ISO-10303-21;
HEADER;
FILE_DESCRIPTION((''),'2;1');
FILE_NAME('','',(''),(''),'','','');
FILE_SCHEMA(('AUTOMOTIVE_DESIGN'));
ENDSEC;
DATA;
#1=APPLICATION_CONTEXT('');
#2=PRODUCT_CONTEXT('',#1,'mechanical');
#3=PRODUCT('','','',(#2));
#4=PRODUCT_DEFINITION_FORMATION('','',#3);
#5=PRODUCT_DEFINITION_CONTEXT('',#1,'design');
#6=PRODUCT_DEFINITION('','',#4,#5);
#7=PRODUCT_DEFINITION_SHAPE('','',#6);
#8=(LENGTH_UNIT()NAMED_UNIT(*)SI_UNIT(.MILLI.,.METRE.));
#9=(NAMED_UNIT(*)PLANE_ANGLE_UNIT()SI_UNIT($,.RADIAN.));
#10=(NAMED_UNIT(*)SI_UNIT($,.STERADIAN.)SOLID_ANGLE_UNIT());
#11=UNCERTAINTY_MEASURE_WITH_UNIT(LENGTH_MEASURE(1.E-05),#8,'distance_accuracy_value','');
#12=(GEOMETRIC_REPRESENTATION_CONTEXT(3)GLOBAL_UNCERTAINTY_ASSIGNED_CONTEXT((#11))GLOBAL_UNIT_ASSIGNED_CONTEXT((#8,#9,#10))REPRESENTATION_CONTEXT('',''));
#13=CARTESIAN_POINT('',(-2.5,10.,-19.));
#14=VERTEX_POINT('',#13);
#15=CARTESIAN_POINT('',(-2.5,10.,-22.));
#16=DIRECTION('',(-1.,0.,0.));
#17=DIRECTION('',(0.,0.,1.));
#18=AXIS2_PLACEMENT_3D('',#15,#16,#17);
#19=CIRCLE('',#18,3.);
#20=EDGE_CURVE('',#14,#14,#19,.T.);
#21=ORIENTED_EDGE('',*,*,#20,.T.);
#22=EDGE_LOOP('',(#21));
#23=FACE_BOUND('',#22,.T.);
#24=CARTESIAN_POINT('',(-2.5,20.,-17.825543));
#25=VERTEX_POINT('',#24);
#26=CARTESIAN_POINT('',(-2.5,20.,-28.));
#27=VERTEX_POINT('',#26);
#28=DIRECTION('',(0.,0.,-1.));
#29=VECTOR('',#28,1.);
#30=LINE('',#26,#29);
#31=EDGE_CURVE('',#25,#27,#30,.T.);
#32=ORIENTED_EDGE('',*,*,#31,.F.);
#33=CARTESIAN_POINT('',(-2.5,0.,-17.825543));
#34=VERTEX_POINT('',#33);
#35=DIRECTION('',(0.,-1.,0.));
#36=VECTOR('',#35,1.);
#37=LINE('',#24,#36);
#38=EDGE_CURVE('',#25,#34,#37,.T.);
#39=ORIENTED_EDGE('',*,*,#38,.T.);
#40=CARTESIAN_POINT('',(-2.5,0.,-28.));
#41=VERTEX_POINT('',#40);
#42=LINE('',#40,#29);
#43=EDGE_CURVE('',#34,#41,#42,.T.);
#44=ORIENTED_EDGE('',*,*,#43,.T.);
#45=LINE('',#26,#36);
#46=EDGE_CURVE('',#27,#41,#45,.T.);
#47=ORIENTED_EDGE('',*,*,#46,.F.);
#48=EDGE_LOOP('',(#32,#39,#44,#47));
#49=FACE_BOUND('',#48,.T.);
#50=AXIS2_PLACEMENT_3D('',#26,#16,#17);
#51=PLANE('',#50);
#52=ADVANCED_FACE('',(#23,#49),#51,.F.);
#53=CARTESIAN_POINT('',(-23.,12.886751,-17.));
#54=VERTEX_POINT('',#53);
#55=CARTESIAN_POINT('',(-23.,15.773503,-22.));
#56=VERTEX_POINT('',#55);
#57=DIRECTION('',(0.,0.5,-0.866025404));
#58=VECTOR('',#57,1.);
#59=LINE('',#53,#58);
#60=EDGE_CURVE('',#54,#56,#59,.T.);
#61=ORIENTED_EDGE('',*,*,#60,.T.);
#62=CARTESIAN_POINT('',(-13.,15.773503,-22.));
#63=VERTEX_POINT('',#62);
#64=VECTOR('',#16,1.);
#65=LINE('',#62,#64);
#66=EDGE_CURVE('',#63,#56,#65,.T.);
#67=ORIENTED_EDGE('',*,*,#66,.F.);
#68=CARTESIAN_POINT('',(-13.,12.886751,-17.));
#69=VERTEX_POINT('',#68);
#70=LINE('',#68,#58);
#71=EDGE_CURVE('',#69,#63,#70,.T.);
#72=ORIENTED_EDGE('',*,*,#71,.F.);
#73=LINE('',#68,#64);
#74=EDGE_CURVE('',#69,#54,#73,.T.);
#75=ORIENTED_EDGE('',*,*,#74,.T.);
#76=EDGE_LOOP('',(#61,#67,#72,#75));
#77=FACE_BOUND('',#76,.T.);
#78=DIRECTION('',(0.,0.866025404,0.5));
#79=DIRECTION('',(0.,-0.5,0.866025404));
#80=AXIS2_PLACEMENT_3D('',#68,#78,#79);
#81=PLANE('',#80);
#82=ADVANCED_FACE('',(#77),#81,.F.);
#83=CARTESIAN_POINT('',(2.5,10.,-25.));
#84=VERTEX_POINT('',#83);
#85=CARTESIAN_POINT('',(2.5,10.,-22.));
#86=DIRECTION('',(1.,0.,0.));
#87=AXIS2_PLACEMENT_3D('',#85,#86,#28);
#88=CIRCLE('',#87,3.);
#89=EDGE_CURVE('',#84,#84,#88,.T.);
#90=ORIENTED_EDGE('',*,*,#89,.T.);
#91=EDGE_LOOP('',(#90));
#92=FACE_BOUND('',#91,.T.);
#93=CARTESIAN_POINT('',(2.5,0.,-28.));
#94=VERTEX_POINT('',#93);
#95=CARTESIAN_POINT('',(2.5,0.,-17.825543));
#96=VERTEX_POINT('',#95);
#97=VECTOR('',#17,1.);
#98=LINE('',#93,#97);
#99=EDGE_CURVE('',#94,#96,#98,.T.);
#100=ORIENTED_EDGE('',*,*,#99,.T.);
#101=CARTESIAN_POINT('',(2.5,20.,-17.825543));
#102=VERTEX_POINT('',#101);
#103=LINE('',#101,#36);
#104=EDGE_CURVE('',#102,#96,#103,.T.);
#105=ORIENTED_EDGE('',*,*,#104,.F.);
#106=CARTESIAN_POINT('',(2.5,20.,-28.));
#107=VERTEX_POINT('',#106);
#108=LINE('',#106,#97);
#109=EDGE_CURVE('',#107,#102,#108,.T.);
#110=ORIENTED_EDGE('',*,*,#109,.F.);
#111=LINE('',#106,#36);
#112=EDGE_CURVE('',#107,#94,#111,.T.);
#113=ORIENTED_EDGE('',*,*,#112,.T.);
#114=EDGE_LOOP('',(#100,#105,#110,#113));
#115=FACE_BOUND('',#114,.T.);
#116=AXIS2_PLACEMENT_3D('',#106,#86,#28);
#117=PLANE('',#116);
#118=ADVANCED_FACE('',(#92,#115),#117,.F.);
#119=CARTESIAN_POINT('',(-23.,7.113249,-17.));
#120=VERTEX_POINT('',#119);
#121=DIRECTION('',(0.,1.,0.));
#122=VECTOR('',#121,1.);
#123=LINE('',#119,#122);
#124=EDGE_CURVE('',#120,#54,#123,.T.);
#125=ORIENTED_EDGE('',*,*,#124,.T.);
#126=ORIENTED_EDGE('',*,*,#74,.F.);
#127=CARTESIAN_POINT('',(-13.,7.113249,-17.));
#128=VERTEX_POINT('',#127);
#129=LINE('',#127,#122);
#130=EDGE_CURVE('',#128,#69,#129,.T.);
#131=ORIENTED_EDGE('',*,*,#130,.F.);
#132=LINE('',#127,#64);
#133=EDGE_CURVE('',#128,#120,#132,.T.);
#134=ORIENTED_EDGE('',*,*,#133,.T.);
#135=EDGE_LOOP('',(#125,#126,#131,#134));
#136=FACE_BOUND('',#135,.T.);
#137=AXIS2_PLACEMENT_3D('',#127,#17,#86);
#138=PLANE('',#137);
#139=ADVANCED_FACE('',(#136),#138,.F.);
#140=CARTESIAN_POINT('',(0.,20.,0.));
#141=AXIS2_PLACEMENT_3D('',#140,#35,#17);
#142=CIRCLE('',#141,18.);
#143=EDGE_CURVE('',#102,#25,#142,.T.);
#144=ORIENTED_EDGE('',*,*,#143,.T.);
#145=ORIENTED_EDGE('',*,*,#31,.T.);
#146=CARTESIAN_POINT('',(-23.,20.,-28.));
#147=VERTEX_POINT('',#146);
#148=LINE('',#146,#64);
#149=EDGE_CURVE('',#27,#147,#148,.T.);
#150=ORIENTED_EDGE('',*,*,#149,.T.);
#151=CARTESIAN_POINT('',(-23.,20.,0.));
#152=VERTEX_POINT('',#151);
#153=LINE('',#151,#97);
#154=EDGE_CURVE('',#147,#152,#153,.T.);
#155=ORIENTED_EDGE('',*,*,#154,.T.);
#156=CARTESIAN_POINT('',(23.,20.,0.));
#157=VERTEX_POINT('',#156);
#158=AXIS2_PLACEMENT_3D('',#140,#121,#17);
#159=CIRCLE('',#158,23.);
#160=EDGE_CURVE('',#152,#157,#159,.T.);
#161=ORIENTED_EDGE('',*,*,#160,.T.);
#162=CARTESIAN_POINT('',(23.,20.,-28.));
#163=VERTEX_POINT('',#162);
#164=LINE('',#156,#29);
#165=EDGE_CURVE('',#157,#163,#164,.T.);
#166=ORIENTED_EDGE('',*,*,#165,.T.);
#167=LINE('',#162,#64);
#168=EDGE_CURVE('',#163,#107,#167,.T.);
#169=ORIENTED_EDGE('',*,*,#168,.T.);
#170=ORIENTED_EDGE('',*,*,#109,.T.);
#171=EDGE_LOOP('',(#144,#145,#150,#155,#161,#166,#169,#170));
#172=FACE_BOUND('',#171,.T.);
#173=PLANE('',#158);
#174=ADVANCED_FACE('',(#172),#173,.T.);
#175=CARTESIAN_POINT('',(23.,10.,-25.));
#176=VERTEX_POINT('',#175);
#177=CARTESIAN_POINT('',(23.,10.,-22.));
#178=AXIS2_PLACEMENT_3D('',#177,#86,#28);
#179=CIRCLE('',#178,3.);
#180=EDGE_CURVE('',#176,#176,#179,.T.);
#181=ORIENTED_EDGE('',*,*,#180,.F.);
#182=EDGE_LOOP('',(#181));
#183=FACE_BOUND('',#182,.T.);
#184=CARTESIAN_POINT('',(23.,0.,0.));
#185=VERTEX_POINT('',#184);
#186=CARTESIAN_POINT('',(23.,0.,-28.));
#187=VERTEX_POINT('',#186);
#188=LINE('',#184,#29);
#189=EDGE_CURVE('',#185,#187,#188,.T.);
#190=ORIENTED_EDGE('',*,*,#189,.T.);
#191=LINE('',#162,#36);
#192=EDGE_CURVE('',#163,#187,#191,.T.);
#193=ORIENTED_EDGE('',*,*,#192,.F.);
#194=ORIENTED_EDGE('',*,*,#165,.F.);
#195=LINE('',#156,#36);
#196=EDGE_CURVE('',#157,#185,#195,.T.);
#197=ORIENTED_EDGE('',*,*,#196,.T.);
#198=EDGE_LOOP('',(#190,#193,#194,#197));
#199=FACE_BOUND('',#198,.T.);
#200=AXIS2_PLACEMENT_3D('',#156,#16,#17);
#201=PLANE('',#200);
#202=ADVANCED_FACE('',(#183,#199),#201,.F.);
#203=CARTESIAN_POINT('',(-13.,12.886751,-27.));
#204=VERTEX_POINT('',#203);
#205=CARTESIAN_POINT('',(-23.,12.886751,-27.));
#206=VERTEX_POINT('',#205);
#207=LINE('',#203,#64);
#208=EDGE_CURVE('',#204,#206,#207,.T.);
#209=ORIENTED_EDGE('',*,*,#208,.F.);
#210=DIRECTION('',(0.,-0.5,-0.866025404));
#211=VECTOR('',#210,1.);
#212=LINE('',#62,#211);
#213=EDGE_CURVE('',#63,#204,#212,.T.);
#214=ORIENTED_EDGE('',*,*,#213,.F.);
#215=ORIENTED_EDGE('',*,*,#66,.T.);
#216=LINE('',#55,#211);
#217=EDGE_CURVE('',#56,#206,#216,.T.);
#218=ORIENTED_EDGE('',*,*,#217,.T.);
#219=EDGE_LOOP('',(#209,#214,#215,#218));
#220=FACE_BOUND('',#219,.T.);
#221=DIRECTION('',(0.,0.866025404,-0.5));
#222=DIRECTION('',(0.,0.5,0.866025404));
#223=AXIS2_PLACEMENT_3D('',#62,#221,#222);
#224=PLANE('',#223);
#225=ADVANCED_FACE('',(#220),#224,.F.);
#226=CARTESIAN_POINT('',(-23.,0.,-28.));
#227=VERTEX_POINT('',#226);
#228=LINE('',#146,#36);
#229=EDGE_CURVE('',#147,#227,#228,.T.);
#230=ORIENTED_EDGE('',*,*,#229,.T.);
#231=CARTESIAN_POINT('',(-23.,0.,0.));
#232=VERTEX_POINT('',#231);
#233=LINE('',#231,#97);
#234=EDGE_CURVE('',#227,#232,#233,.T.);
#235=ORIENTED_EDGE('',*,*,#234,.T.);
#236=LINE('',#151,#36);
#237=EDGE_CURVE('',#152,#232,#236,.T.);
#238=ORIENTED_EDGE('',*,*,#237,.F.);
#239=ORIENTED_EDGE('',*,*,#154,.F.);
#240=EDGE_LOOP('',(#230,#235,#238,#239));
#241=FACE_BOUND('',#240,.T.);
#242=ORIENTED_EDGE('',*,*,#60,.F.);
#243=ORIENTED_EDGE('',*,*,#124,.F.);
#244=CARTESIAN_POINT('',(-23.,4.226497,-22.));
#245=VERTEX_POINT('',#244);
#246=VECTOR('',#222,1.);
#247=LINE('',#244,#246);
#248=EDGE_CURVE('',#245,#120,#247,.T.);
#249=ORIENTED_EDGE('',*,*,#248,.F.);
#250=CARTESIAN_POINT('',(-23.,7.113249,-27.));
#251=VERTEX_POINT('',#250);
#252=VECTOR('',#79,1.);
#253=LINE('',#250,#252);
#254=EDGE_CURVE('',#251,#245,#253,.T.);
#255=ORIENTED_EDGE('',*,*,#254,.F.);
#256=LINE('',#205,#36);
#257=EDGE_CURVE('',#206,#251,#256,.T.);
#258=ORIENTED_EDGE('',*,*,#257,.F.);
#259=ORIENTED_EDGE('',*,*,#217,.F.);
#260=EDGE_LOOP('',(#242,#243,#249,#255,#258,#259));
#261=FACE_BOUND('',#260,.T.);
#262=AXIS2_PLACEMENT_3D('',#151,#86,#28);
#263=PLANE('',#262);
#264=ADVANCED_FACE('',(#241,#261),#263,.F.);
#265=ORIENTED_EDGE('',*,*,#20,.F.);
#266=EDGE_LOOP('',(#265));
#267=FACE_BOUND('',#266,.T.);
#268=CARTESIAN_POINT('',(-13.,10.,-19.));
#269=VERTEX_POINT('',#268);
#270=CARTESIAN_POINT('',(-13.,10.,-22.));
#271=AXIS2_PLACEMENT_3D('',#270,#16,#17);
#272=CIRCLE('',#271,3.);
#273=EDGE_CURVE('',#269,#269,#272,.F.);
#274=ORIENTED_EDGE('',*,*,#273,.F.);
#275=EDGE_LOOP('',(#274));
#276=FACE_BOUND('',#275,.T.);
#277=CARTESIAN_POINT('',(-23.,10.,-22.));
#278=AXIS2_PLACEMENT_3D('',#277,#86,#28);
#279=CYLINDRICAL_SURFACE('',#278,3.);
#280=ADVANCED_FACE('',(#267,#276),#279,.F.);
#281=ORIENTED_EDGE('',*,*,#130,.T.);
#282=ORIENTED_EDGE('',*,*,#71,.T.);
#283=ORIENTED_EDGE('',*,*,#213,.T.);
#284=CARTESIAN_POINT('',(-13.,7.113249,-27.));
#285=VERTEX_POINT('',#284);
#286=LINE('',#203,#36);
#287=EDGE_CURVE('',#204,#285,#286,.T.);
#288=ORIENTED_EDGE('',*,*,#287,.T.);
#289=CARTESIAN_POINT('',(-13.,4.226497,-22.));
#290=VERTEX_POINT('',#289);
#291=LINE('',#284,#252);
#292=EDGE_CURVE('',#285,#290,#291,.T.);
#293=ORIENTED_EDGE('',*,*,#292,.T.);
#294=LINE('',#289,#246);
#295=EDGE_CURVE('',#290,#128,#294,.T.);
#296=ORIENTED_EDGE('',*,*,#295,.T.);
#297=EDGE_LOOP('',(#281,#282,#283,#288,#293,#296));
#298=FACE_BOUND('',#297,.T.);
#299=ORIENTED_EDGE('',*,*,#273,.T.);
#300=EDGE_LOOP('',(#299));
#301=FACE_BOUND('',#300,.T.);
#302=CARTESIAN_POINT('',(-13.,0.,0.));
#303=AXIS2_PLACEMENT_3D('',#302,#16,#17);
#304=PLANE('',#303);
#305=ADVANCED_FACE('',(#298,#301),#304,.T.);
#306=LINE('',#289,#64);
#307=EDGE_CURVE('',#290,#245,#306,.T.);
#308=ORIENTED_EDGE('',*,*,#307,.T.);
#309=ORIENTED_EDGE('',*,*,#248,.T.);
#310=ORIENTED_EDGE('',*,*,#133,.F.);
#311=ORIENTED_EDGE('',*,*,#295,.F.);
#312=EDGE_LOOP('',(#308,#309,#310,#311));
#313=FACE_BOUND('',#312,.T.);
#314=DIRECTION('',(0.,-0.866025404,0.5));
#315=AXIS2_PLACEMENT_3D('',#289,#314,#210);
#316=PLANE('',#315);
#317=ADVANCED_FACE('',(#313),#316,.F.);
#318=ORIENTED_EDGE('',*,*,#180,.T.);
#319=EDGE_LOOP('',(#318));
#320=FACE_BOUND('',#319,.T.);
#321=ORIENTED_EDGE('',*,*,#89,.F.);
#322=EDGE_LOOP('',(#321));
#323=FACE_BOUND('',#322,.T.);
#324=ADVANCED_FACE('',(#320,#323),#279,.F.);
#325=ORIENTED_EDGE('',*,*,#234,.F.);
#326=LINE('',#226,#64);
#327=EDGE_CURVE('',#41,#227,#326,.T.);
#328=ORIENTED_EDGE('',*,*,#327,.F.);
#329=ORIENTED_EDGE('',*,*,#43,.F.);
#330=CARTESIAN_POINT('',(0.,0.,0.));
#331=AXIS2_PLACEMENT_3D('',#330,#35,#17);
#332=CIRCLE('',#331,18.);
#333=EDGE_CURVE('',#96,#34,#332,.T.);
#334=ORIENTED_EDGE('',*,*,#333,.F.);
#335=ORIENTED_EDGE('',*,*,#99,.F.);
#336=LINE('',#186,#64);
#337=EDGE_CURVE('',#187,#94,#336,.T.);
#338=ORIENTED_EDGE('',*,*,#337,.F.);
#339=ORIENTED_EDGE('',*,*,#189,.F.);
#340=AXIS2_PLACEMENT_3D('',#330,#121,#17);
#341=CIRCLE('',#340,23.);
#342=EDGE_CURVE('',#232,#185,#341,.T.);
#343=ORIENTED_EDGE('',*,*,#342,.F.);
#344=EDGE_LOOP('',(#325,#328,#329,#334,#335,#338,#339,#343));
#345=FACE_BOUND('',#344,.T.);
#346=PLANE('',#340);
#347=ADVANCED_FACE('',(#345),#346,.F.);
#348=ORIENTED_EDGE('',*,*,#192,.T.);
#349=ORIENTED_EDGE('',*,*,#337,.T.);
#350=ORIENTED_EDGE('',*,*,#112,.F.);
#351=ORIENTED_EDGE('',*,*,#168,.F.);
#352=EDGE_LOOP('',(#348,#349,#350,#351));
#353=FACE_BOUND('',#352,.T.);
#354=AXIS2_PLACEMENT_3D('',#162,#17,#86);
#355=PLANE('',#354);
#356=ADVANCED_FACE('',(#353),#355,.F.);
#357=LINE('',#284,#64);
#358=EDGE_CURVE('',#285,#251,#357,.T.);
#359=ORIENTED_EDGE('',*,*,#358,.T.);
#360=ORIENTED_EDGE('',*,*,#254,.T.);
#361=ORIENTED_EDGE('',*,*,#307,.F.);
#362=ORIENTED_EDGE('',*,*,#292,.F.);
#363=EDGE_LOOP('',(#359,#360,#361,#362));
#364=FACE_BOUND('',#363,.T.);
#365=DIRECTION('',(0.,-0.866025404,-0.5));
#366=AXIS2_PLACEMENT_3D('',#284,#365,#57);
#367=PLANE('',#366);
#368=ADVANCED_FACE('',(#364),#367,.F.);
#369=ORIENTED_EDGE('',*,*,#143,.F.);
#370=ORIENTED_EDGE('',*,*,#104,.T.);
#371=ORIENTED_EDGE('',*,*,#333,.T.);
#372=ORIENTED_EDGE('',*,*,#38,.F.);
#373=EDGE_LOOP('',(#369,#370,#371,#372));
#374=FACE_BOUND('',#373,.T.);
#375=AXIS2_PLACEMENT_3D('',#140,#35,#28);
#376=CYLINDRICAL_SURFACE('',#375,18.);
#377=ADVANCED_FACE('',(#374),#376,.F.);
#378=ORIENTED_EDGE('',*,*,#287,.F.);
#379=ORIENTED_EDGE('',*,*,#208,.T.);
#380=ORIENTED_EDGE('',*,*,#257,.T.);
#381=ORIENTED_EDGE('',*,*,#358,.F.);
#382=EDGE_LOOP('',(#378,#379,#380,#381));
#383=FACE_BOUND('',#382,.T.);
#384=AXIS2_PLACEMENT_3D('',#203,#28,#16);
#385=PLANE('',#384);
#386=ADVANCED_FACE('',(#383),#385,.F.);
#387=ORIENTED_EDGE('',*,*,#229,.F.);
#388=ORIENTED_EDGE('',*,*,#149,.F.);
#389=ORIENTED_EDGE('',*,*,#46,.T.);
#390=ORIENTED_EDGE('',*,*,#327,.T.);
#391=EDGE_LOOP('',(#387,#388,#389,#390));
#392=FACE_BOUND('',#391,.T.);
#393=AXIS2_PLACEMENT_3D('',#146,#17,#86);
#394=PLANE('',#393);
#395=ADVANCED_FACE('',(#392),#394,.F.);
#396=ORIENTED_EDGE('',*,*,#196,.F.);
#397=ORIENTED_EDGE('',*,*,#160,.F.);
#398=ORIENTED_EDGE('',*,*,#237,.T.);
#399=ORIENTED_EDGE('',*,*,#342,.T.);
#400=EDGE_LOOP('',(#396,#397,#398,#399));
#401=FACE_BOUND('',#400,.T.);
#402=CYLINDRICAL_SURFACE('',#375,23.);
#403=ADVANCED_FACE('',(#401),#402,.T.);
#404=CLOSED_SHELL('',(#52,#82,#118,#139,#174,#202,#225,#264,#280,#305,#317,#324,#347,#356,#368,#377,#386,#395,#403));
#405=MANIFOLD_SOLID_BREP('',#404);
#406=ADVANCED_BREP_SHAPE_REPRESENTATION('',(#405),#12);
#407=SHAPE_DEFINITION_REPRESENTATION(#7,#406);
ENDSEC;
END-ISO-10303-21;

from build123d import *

# Parameters (mm, degrees)
BOSS_EXTRU_1_DEPTH      = 20
ESQUISSE2_R             = 3
ENL_V_MAT_EXTRU_1_DEPTH = 47
ENL_V_MAT_EXTRU_2_DEPTH = 10


with BuildPart() as part:
    # Esquisse1 → Boss.-Extru.1 (new body)
    with BuildSketch(Plane(origin=(0, 0, 0), x_dir=(1, 0, 0), z_dir=(0, 1, 0))):
        with BuildLine():
            Line((-23, 0), (-23, 28))
            Line((-23, 28), (-2.5, 28))
            Line((-2.5, 28), (-2.5, 17.82554347))
            ThreePointArc((-2.5, 17.82554347), (0, -18), (2.5, 17.82554347))
            Line((2.5, 17.82554347), (2.5, 28))
            Line((2.5, 28), (23, 28))
            Line((23, 28), (23, 0))
            ThreePointArc((23, 0), (0, -23), (-23, 0))
        make_face()
    extrude(amount=BOSS_EXTRU_1_DEPTH)

    # Esquisse2 → Enlèv. mat.-Extru.1 (cut, through all)
    with BuildSketch(Plane(origin=(23, 0, 0), x_dir=(0, 0, -1), z_dir=(1, 0, 0))):
        with Locations((22, 10)):
            Circle(ESQUISSE2_R)
    extrude(amount=-ENL_V_MAT_EXTRU_1_DEPTH, mode=Mode.SUBTRACT)

    # Esquisse3 → Enlèv. mat.-Extru.2 (cut)
    with BuildSketch(Plane.ZY.offset(23)):
        Polygon((-22, 4.226497308), (-17, 7.113248654), (-17, 12.886751346), (-22, 15.773502692), (-27, 12.886751346), (-27, 7.113248654), align=None)
    extrude(amount=-ENL_V_MAT_EXTRU_2_DEPTH, mode=Mode.SUBTRACT)


solid = part.part
